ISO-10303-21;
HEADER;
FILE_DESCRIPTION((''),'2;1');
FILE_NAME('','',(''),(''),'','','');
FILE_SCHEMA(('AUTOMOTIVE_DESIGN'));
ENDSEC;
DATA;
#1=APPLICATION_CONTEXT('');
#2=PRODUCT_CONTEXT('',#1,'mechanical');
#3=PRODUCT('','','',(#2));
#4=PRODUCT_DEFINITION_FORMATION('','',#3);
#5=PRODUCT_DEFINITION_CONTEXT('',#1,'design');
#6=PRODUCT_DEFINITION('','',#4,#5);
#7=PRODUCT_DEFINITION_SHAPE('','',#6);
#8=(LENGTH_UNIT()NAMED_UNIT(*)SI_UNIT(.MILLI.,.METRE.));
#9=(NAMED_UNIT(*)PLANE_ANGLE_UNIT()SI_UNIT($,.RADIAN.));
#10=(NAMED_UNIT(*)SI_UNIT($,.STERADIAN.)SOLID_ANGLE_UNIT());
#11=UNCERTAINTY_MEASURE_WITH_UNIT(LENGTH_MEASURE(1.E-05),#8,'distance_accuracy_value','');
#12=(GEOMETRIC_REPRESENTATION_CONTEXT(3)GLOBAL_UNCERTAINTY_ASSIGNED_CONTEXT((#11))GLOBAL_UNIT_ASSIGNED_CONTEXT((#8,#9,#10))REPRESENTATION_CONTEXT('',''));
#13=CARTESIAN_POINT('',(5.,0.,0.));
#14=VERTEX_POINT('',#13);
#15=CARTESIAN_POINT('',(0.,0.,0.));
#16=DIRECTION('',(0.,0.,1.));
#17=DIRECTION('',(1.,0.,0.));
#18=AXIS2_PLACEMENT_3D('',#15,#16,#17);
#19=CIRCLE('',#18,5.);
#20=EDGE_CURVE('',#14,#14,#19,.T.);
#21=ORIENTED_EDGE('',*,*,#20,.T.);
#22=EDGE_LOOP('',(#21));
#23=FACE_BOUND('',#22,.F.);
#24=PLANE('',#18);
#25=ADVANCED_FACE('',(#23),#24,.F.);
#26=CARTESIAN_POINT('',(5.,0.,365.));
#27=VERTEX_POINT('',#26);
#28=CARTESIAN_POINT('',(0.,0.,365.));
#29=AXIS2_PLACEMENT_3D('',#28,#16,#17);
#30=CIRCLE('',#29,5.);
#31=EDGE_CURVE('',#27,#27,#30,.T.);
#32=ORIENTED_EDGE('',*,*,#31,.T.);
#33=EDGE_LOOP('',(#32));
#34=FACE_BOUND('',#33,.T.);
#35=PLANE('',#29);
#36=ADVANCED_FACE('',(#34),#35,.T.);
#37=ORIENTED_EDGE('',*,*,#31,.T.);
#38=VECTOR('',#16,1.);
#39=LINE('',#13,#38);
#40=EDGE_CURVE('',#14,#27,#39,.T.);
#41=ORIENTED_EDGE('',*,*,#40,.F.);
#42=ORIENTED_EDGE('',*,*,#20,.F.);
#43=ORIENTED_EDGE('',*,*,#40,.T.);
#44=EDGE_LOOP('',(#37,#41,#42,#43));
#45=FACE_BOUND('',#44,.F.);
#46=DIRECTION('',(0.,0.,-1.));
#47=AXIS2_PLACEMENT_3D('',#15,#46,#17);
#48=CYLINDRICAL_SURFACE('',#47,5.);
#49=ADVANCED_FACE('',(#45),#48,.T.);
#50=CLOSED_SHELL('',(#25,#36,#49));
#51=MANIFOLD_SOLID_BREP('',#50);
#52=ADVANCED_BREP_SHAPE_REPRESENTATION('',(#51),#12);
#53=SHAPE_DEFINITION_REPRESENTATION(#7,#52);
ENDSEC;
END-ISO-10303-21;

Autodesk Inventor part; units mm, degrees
ref_plane "YZ Plane" through (0, 0, 0) normal (1, 0, 0) x (0, 1, 0)
ref_plane "XZ Plane" through (0, 0, 0) normal (0, 1, 0) x (-1, 0, 0)
ref_plane "XY Plane" through (0, 0, 0) normal (0, 0, 1) x (1, 0, 0)
sketch "Sketch1" plane through (0, 0, 0) normal (0, 0, 1) x (1, 0, 0)
  circle A0 centre (0, 0) radius 5
  dimension "d0" = 10
extrude "Extrusion1" add sketch "Sketch1" along normal blind 365
sketch "Sketch2" plane through (0, 0, 0) normal (0, 1, 0) x (-1, 0, 0)
  line L0 (-4.3053, -632.2581) -> (4.3053, -632.2581)
  line L1 (4.3053, -632.2581) -> (4.3053, -621.4108)
  line L2 (4.3053, -621.4108) -> (-4.3053, -621.4108)
  line L3 (-4.3053, -621.4108) -> (-4.3053, -632.2581)
  line L4 (-4.3053, -632.2581) -> (4.3053, -621.4108) construction
  line L5 (4.3053, -632.2581) -> (-4.3053, -621.4108) construction
  line L6 (-4.3053, -933.664) -> (4.3053, -933.664)
  line L7 (4.3053, -933.664) -> (4.3053, -925.5918)
  line L8 (4.3053, -925.5918) -> (-4.3053, -925.5918)
  line L9 (-4.3053, -925.5918) -> (-4.3053, -933.664)
  line L10 (-4.3053, -933.664) -> (4.3053, -925.5918) construction
  line L11 (4.3053, -933.664) -> (-4.3053, -925.5918) construction
  line L12 (-4.3053, 632.2581) -> (4.3053, 632.2581)
  line L13 (4.3053, 632.2581) -> (4.3053, 621.4108)
  line L14 (4.3053, 621.4108) -> (-4.3053, 621.4108)
  line L15 (-4.3053, 621.4108) -> (-4.3053, 632.2581)
  line L16 (-4.3053, 632.2581) -> (4.3053, 621.4108) construction
  line L17 (4.3053, 632.2581) -> (-4.3053, 621.4108) construction
  line L18 (-4.3053, 933.664) -> (4.3053, 933.664)
  line L19 (4.3053, 933.664) -> (4.3053, 925.5918)
  line L20 (4.3053, 925.5918) -> (-4.3053, 925.5918)
  line L21 (-4.3053, 925.5918) -> (-4.3053, 933.664)
  line L22 (-4.3053, 933.664) -> (4.3053, 925.5918) construction
  line L23 (4.3053, 933.664) -> (-4.3053, 925.5918) construction
  point P0 (0, 0)
  point P1 (0, -626.8344)
  point P2 (0, -929.6279)
  point P3 (0, 626.8344)
  point P4 (0, 929.6279)
properties part number "365 Mono"
